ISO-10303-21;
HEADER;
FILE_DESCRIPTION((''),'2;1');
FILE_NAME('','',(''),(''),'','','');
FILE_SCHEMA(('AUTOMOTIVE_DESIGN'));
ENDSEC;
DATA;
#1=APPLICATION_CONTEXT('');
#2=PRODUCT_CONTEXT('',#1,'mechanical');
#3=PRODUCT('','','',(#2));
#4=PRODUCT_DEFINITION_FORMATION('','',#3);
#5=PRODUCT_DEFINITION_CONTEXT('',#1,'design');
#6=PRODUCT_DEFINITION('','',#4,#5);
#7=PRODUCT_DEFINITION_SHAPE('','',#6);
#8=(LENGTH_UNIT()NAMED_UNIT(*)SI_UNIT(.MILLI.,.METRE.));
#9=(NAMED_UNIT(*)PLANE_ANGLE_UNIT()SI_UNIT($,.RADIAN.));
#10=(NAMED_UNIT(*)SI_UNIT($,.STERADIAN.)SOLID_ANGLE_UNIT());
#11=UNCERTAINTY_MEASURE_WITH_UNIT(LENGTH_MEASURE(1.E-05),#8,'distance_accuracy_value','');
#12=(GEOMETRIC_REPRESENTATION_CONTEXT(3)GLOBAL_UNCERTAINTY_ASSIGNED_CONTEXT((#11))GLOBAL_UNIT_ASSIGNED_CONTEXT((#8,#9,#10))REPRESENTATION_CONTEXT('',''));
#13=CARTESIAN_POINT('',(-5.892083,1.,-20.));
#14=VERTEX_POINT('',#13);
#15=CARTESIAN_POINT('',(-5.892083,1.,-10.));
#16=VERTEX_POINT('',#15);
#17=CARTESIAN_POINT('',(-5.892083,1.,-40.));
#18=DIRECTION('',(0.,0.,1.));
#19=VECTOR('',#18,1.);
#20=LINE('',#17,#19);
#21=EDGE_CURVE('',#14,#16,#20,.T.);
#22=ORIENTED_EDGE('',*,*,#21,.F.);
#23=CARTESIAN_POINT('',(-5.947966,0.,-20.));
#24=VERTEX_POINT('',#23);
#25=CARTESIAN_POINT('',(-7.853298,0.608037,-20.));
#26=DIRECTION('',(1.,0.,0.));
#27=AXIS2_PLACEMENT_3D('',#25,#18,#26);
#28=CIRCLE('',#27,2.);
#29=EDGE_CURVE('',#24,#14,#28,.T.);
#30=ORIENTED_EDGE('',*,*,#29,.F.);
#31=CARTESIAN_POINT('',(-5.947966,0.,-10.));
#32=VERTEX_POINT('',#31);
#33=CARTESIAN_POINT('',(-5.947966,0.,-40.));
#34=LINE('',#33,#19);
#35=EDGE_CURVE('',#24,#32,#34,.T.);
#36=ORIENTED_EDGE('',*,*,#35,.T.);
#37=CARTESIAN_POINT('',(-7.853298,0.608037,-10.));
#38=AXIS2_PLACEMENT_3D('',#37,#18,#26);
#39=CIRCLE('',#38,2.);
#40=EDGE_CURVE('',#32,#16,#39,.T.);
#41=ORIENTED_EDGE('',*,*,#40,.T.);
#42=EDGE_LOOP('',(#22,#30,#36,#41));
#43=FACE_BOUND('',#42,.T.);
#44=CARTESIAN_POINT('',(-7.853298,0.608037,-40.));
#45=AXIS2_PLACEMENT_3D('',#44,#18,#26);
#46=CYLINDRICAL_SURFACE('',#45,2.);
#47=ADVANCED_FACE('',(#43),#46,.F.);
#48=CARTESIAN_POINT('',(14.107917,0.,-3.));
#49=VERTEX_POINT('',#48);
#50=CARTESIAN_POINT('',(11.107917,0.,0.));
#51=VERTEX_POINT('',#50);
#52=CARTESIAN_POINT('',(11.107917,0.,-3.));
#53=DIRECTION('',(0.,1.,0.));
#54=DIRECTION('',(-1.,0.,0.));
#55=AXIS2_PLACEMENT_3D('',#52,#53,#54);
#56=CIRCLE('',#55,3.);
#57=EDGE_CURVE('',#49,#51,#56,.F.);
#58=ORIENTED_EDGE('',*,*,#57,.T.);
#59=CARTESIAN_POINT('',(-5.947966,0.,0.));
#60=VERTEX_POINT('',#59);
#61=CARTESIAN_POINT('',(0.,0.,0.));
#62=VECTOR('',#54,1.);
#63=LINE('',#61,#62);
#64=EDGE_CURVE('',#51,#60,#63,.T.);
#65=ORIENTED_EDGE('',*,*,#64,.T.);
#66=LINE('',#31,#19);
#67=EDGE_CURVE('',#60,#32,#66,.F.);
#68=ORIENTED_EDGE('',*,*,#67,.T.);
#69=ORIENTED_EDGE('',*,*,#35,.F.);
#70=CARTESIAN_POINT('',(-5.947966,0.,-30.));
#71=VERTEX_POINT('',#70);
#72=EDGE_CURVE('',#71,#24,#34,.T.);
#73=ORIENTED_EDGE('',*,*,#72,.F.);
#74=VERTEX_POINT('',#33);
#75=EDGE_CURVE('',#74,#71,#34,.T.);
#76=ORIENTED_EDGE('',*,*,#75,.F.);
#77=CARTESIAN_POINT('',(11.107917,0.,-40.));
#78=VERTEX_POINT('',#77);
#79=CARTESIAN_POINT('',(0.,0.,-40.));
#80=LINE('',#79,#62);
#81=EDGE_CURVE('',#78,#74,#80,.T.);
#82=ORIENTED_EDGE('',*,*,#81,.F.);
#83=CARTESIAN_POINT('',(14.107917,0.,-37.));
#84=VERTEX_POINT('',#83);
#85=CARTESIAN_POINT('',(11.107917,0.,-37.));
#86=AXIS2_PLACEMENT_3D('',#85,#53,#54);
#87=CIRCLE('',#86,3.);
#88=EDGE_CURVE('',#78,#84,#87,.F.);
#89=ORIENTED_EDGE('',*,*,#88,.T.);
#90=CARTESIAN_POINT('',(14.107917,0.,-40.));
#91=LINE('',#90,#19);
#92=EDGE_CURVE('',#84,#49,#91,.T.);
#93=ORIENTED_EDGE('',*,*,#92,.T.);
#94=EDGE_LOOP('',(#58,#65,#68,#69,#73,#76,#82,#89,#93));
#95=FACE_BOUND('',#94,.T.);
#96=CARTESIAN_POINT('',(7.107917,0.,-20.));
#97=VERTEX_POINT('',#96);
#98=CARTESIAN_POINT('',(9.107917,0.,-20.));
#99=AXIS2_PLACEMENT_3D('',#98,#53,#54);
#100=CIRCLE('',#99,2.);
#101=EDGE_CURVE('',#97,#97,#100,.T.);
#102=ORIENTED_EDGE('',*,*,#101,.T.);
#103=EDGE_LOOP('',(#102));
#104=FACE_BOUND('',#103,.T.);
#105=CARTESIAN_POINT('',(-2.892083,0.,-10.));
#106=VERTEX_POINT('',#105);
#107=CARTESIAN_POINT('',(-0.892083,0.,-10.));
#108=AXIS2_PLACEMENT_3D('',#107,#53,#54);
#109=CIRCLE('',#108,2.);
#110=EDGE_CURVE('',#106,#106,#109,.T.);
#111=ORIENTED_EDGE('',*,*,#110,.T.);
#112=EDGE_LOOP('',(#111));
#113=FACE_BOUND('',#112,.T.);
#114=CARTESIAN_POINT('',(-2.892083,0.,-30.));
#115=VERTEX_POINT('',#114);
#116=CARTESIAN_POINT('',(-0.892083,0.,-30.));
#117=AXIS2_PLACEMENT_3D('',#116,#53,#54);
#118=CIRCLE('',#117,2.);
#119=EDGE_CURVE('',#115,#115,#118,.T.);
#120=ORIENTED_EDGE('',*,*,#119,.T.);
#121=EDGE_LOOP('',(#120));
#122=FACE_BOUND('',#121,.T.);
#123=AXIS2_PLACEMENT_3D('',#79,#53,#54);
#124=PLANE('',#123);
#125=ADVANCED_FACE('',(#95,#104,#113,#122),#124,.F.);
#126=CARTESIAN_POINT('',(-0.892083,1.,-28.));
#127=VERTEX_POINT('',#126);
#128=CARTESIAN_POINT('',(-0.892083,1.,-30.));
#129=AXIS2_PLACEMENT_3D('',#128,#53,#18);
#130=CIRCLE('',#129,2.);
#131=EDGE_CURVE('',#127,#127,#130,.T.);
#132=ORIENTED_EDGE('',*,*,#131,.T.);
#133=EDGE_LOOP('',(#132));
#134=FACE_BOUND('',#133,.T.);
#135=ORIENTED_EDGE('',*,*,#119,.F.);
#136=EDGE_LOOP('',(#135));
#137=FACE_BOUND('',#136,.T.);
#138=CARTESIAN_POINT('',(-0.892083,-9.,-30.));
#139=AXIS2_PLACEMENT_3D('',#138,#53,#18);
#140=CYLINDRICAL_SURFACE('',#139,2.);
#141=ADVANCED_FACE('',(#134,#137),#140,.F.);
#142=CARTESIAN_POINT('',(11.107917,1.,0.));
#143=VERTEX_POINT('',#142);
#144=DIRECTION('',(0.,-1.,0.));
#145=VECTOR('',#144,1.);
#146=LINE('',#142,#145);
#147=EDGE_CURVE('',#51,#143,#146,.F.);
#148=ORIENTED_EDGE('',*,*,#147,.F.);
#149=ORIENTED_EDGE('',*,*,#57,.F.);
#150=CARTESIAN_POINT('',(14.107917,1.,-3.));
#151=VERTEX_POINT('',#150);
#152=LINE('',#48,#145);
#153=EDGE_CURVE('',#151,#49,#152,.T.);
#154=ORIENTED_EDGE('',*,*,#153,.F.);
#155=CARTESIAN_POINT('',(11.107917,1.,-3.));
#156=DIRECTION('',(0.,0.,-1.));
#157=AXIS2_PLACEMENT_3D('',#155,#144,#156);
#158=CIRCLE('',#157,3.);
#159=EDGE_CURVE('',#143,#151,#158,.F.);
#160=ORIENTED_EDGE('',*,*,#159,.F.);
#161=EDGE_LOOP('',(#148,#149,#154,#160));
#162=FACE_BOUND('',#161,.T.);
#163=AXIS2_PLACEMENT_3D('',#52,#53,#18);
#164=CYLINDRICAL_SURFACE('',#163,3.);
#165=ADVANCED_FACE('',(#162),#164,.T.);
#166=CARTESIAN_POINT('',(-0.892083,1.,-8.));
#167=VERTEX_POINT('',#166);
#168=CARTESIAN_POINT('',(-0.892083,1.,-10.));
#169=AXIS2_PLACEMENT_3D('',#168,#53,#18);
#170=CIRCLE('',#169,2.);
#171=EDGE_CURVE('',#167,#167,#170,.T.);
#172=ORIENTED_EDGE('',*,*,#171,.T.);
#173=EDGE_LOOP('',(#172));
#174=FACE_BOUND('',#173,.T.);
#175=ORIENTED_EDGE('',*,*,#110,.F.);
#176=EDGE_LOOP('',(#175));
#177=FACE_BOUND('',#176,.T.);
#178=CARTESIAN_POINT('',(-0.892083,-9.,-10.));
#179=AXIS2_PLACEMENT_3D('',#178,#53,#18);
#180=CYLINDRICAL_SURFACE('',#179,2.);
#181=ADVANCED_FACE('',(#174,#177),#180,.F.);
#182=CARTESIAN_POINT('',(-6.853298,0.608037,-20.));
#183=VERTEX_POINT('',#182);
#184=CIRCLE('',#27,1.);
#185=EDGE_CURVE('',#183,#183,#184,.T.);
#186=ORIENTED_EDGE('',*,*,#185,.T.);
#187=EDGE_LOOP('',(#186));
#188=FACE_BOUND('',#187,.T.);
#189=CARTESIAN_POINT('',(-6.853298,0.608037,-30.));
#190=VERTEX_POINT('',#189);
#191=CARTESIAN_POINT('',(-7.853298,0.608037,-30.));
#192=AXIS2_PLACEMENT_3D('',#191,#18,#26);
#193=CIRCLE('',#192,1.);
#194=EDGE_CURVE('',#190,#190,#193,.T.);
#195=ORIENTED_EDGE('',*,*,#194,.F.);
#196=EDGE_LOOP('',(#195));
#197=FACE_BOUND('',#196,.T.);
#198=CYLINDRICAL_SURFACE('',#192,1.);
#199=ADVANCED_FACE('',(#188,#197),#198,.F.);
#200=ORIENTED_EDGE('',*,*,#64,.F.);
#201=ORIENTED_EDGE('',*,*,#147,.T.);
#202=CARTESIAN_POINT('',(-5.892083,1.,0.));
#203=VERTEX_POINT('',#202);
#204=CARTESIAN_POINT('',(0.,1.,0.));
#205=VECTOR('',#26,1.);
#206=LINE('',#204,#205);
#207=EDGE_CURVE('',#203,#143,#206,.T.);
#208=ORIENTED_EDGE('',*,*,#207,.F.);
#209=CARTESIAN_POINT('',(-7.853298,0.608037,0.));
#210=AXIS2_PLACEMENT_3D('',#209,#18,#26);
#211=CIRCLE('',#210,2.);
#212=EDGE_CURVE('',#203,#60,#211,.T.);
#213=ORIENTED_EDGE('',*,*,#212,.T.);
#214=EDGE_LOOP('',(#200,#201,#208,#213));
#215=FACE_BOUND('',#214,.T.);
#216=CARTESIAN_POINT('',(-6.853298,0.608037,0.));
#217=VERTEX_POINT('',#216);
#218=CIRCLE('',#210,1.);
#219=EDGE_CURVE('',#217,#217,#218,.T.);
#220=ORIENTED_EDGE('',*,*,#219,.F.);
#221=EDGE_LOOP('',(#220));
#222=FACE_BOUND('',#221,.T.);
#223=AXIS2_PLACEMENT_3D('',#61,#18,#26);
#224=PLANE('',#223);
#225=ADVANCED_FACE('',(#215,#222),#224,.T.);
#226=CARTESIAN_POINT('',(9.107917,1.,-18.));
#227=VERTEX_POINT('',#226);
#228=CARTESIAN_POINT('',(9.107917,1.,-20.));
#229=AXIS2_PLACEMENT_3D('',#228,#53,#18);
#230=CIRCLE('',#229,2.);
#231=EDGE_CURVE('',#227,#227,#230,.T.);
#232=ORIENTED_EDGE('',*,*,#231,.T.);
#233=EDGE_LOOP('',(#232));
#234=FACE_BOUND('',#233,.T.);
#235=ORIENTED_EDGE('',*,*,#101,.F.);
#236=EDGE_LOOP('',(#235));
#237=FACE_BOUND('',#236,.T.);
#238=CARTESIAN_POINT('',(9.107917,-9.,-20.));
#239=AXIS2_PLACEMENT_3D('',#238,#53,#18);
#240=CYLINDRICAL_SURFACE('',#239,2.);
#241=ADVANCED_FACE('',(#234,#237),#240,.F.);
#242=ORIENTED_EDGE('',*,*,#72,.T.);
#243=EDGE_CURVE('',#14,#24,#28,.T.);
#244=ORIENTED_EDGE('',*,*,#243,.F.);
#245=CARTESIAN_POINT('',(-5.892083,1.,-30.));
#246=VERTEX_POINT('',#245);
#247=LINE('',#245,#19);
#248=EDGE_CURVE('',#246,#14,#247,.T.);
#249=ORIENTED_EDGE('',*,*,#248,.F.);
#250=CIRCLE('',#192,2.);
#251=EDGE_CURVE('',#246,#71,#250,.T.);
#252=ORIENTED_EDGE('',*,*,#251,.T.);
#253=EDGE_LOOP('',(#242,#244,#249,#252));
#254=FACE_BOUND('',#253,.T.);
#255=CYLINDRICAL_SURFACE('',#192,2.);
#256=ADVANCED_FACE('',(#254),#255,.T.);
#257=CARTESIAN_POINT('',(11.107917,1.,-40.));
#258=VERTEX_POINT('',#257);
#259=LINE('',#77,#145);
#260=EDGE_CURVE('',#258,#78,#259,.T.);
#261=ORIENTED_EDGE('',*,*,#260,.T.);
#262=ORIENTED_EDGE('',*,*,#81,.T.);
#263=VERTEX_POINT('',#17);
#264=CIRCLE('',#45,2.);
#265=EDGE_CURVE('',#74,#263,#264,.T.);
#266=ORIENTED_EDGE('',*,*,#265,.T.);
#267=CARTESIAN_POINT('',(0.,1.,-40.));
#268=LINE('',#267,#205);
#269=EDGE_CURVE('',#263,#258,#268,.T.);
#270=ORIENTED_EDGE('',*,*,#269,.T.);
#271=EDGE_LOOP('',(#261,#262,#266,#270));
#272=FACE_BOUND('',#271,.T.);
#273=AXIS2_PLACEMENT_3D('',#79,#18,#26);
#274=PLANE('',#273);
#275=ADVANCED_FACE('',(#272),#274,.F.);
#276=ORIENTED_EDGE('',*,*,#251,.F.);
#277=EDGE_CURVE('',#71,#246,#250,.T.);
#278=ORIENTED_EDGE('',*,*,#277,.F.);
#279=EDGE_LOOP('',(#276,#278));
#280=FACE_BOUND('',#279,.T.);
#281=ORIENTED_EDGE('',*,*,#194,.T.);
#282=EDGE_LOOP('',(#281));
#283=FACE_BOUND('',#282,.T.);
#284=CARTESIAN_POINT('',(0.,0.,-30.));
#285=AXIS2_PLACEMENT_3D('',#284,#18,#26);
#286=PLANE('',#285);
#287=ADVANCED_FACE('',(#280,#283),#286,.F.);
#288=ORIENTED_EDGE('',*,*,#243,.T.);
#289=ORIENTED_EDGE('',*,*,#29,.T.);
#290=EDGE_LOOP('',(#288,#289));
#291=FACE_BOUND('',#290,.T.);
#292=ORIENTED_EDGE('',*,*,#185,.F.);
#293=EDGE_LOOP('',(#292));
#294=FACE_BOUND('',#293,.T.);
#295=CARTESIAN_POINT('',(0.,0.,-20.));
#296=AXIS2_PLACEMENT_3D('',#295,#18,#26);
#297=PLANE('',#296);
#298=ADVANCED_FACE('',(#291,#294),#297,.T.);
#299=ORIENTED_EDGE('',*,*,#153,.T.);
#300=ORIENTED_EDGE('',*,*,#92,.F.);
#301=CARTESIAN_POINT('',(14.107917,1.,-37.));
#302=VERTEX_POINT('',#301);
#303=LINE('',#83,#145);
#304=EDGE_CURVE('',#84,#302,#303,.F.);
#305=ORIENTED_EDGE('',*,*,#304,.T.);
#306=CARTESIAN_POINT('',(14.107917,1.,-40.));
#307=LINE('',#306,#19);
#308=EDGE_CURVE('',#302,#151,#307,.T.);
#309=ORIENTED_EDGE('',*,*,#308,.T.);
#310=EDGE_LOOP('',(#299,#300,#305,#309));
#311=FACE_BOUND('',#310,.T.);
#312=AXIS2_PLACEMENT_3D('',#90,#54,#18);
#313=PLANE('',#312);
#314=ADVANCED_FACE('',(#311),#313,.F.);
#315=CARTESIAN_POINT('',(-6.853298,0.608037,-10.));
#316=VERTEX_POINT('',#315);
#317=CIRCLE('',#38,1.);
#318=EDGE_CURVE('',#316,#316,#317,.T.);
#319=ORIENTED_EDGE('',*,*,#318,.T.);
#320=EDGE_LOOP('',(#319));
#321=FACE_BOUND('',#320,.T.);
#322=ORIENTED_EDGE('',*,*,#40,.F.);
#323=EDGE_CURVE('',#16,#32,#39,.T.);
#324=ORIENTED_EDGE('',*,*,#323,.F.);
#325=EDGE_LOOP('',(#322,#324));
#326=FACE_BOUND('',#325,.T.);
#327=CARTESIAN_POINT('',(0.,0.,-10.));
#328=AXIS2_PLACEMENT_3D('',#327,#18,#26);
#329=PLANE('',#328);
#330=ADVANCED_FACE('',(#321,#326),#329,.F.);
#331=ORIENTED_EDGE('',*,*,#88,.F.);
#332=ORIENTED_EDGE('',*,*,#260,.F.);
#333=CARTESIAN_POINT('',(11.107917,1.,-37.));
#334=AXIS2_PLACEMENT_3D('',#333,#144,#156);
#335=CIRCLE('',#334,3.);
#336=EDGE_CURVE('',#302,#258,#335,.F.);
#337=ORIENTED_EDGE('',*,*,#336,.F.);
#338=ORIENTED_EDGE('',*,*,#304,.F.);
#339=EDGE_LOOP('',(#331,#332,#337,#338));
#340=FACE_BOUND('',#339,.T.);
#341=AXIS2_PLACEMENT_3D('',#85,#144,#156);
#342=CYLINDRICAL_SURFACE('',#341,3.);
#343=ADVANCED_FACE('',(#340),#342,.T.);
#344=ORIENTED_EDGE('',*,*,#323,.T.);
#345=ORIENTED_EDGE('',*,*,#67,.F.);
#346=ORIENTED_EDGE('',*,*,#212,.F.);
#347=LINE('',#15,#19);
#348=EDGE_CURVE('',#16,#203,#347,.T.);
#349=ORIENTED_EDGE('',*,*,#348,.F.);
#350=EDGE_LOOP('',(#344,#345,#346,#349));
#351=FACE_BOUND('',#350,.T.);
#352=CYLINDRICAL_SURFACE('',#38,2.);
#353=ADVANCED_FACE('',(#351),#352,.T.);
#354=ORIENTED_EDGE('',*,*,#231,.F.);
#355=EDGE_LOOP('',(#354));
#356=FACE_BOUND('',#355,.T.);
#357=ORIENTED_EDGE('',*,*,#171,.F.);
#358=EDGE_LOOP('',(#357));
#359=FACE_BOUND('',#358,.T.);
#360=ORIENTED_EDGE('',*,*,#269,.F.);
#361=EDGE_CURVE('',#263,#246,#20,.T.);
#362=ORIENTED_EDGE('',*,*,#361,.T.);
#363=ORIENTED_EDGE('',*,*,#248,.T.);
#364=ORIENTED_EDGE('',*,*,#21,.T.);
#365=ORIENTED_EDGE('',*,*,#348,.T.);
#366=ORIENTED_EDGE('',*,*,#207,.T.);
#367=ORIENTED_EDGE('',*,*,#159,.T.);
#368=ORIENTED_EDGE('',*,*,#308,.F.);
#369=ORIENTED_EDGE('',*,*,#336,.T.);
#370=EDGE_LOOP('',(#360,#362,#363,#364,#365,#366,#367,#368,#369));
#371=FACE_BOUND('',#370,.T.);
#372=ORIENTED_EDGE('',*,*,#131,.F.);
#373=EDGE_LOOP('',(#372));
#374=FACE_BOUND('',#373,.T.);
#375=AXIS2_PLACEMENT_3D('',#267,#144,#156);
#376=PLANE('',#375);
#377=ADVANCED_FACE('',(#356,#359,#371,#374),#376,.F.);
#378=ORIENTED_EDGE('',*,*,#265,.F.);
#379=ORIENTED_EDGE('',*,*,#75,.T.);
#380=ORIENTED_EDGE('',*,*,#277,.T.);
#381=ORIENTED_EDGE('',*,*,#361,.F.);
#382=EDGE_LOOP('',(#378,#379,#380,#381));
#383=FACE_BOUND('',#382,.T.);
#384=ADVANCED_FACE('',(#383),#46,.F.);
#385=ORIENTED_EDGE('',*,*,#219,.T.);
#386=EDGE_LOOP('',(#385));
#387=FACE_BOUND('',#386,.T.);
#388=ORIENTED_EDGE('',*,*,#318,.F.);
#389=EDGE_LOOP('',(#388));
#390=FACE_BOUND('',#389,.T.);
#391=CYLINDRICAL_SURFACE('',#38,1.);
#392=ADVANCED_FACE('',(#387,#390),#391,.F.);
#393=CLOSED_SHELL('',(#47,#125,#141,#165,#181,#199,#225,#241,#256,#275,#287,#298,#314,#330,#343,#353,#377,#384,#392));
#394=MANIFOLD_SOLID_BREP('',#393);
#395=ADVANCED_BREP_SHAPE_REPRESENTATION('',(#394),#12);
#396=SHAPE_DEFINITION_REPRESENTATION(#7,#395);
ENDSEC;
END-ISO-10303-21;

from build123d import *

# Parameters (mm, degrees)
BOSS_EXTRUDE2_DEPTH = 40
SKETCH3_4_R         = 1
BOSS_EXTRUDE3_DEPTH = 10
BOSS_EXTRUDE4_START = -20
SKETCH3_5_R         = 1
BOSS_EXTRUDE4_DEPTH = 10
SKETCH5_R           = 2
CUT_EXTRUDE1_DEPTH  = 10
FILLET1_R           = 3
FILLET2_R           = 3


with BuildPart() as part:
    # Sketch3 → Boss-Extrude2 (new body)
    with BuildSketch(Plane.XY):
        with BuildLine():
            Line((14.107916892, 0), (14.107916892, 1))
            Line((14.107916892, 1), (-5.892083108, 1))
            ThreePointArc((-5.892083108, 1), (-5.863018057, 0.804975408), (-5.853298215, 0.608036602))
            ThreePointArc((-5.853298215, 0.608036602), (-5.877106832, 0.300355571), (-5.947965831, 0))
            Line((-5.947965831, 0), (14.107916892, 0))
        make_face()
    extrude(amount=-BOSS_EXTRUDE2_DEPTH)

    # Sketch3<4> → Boss-Extrude3 (add)
    with BuildSketch(Plane.XY):
        with BuildLine():
            ThreePointArc((-5.853298215, 0.608036602), (-5.863018057, 0.804975408), (-5.892083108, 1))
            ThreePointArc((-5.892083108, 1), (-9.850182631, 0.719627941), (-5.947965831, 0))
            ThreePointArc((-5.947965831, 0), (-5.877106832, 0.300355571), (-5.853298215, 0.608036602))
        make_face()
        with Locations((-7.853298215, 0.608036602)):
            Circle(SKETCH3_4_R, mode=Mode.SUBTRACT)
    extrude(amount=-BOSS_EXTRUDE3_DEPTH)

    # Sketch3<5> → Boss-Extrude4 (add)
    with BuildSketch(Plane.XY.offset(BOSS_EXTRUDE4_START)):
        with BuildLine():
            ThreePointArc((-5.853298215, 0.608036602), (-5.863018057, 0.804975408), (-5.892083108, 1))
            ThreePointArc((-5.892083108, 1), (-9.850182631, 0.719627941), (-5.947965831, 0))
            ThreePointArc((-5.947965831, 0), (-5.877106832, 0.300355571), (-5.853298215, 0.608036602))
        make_face()
        with Locations((-7.853298215, 0.608036602)):
            Circle(SKETCH3_5_R, mode=Mode.SUBTRACT)
    extrude(amount=-BOSS_EXTRUDE4_DEPTH)

    # Sketch5 → Cut-Extrude1 (cut)
    with BuildSketch(Plane(origin=(0, 1, 0), x_dir=(1, 0, 0), z_dir=(0, 1, 0))):
        with Locations((-0.892083108, 30)):
            Circle(SKETCH5_R)
        with Locations((-0.892083108, 10)):
            Circle(SKETCH5_R)
        with Locations((9.107916892, 20)):
            Circle(SKETCH5_R)
    extrude(amount=-CUT_EXTRUDE1_DEPTH, mode=Mode.SUBTRACT)

    # Fillet1
    fillet1_edges = [part.edges().sort_by_distance(p)[0] for p in [
        (14.107916892, 0.5, -40),
    ]]
    fillet(fillet1_edges, radius=FILLET1_R)

    # Fillet2
    fillet2_edges = [part.edges().sort_by_distance(p)[0] for p in [
        (14.107916892, 0.5, 0),
    ]]
    fillet(fillet2_edges, radius=FILLET2_R)


solid = part.part
